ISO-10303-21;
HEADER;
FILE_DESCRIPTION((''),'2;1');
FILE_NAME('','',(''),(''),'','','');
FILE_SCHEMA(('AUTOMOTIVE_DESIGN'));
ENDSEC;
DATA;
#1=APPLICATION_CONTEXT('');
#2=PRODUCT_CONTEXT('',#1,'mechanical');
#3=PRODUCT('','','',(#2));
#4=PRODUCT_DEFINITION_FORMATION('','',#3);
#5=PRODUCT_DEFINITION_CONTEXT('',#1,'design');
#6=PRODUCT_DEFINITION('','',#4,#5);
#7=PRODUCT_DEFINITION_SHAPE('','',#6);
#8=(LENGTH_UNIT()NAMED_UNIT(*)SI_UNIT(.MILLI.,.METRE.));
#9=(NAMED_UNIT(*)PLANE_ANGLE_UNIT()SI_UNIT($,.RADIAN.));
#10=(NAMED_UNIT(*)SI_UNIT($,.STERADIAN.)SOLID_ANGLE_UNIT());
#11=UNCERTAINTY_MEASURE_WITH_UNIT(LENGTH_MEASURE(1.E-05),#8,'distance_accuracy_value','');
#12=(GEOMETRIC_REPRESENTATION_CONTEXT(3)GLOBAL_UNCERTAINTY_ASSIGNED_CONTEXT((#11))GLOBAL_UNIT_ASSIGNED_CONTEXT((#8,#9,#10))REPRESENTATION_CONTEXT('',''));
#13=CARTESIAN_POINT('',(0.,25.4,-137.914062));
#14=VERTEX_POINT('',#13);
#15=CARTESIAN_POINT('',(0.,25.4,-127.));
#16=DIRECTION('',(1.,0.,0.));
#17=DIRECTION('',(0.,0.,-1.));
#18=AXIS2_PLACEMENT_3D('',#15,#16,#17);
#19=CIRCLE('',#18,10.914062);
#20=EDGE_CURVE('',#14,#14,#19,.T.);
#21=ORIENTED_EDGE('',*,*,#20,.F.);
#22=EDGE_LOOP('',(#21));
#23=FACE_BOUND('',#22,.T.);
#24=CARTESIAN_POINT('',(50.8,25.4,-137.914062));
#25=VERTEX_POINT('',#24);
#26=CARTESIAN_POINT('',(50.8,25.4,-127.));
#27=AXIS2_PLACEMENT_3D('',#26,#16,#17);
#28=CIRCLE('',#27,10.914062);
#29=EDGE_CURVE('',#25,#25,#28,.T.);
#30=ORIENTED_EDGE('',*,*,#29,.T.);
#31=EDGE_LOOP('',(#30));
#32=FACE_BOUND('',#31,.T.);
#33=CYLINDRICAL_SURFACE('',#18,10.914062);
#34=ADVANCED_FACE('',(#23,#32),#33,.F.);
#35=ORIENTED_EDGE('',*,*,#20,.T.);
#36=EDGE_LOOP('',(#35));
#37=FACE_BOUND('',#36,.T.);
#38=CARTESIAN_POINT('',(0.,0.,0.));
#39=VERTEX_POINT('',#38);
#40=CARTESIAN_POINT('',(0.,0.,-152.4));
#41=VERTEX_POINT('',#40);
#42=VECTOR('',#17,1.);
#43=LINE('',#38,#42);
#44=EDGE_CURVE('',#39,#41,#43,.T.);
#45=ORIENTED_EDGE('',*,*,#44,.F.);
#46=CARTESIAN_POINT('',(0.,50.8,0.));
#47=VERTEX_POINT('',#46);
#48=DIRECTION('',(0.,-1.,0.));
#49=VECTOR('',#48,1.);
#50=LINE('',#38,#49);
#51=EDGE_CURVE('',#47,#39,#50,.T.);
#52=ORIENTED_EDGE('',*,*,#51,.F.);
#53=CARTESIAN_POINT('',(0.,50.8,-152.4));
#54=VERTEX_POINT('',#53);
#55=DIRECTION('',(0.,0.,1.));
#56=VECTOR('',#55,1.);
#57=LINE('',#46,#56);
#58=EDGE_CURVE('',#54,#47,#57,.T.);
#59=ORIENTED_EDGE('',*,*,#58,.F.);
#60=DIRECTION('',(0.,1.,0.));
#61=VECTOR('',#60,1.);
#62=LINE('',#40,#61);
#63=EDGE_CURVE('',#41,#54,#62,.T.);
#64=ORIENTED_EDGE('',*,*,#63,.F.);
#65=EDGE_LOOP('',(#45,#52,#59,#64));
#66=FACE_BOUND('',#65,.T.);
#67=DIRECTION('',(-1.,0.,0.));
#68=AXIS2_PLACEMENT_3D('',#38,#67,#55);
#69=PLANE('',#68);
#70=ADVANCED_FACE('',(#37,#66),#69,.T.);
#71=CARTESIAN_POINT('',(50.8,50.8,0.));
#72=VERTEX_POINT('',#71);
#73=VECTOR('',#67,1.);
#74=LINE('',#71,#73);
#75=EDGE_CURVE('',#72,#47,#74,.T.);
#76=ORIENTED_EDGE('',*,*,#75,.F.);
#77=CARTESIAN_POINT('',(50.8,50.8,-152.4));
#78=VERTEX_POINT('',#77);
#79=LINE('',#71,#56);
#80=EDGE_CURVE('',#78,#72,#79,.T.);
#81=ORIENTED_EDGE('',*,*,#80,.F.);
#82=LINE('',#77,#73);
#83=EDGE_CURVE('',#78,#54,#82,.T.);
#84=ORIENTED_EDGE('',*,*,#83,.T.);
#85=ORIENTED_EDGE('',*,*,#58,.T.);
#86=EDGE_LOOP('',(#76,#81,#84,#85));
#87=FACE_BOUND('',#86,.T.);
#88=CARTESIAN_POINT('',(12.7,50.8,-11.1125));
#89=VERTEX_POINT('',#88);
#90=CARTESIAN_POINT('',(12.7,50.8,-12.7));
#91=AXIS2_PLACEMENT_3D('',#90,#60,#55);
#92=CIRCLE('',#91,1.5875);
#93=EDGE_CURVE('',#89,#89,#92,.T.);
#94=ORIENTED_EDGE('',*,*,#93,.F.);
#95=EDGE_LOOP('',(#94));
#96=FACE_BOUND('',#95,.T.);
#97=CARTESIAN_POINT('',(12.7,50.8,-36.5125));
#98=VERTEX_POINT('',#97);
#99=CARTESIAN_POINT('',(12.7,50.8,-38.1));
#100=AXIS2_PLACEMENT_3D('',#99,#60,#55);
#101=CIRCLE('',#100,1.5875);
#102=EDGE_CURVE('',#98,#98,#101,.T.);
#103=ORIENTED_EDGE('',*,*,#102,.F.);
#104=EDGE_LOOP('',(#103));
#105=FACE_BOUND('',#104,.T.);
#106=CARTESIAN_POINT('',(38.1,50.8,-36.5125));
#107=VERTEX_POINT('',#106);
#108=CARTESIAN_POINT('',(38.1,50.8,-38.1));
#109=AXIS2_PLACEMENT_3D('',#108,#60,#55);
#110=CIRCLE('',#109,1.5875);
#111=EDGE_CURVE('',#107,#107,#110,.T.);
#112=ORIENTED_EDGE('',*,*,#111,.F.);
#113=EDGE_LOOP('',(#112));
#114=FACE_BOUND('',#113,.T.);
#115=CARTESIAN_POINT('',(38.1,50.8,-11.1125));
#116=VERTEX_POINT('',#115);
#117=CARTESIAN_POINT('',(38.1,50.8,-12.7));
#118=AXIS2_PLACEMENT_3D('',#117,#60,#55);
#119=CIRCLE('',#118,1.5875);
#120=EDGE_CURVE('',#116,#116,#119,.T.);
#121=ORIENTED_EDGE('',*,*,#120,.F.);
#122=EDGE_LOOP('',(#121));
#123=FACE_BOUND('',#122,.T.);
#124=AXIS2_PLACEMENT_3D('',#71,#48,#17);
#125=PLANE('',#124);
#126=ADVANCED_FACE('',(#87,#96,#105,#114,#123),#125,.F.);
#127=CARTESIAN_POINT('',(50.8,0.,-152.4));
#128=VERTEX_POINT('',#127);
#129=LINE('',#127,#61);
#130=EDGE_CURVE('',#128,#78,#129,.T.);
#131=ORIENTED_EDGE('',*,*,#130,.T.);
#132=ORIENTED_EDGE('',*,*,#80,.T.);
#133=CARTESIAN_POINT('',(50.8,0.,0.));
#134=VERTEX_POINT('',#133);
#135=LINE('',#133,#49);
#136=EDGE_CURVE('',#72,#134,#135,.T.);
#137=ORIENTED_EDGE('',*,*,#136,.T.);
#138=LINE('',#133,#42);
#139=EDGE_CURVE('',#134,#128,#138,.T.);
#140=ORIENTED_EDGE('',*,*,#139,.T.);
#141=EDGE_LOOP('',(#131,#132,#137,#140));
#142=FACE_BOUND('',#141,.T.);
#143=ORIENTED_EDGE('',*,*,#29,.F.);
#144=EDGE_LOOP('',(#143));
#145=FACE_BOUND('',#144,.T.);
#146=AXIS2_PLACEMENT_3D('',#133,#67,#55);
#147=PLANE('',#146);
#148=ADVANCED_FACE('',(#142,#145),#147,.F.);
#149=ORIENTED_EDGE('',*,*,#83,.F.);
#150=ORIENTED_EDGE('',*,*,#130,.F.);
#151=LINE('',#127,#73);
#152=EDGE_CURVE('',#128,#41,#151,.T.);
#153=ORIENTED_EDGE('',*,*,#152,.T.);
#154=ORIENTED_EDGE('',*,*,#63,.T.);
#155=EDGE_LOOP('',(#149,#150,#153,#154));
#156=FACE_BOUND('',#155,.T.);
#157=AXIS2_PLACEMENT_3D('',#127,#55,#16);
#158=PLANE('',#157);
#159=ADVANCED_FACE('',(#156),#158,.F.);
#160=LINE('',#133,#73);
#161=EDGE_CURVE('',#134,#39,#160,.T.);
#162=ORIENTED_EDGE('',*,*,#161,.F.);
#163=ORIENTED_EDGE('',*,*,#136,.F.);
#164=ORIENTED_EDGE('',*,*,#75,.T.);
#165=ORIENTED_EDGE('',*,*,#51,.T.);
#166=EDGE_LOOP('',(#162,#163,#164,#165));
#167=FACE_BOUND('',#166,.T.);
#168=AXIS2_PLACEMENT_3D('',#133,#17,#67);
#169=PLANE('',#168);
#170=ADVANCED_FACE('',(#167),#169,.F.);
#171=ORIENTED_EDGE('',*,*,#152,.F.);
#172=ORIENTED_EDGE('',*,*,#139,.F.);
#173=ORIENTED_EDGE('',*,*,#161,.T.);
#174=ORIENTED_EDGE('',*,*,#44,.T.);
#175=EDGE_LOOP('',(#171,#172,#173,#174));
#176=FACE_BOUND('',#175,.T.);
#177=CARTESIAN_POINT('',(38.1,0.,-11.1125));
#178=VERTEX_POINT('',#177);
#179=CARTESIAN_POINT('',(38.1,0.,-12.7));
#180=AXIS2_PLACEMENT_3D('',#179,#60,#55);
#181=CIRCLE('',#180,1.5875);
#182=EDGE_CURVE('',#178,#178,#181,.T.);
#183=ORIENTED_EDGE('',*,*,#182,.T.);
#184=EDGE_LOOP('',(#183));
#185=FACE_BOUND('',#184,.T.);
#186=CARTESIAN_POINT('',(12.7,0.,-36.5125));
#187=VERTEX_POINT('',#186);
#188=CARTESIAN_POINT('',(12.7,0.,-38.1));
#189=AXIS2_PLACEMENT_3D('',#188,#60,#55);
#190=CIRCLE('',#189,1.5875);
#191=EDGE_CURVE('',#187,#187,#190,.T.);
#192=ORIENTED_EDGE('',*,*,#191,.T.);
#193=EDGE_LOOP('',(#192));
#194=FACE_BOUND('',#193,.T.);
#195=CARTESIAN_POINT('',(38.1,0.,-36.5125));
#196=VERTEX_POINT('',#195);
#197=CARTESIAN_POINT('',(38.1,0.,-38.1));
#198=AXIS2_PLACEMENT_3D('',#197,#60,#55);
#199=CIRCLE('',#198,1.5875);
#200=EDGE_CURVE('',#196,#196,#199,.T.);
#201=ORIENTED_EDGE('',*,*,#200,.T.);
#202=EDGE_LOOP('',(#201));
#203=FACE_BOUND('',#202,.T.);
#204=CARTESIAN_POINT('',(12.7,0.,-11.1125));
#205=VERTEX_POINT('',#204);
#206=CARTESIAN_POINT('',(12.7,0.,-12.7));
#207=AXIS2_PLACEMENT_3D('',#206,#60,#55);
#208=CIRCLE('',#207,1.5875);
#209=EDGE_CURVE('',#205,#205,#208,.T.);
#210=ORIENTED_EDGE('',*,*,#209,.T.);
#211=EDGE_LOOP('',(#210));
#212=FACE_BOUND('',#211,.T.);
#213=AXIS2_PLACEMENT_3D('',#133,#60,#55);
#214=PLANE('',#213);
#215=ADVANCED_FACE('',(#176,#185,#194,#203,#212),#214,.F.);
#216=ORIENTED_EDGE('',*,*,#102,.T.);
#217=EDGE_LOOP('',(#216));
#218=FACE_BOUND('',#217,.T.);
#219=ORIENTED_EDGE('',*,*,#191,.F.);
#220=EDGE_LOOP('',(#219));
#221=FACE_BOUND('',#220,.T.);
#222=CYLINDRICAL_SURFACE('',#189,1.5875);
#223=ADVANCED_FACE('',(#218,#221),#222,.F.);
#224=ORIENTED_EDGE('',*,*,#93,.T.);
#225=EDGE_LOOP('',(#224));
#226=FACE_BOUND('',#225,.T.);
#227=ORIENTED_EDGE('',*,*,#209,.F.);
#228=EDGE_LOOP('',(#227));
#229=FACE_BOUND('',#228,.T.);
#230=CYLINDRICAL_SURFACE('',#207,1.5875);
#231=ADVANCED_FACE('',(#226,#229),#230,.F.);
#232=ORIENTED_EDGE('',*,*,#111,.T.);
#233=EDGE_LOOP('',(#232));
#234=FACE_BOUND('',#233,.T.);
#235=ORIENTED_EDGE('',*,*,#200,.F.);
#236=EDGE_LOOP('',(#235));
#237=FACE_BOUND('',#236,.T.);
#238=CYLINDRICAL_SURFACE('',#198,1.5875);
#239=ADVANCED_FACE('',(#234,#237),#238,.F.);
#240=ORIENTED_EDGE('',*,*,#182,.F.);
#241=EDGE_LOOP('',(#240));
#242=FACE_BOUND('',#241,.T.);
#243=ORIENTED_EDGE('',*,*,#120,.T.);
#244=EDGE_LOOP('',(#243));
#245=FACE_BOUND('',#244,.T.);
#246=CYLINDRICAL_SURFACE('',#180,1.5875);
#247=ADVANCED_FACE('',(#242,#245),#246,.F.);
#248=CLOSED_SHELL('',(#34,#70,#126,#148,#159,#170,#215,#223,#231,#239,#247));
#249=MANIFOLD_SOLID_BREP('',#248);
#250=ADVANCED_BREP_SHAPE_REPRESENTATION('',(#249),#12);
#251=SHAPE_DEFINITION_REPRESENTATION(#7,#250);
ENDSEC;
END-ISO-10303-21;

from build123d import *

# Parameters (mm, degrees)
SKETCH1_W           = 152.4
SKETCH1_H           = 50.8
BOSS_EXTRUDE1_DEPTH = 50.8
SKETCH2_R           = 10.9140625
CUT_EXTRUDE1_DEPTH  = 51.8
SKETCH3_R           = 1.5875
CUT_EXTRUDE2_DEPTH  = 51.8


with BuildPart() as part:
    # Sketch1 → Boss-Extrude1 (new body)
    with BuildSketch(Plane(origin=(0, 0, 0), x_dir=(0, 0, -1), z_dir=(1, 0, 0))):
        with Locations((76.2, 25.4)):
            Rectangle(SKETCH1_W, SKETCH1_H)
    extrude(amount=BOSS_EXTRUDE1_DEPTH)

    # Sketch2 → Cut-Extrude1 (cut, through all)
    with BuildSketch(Plane(origin=(50.8, 0, 0), x_dir=(0, 0, -1), z_dir=(1, 0, 0))):
        with Locations((127, 25.4)):
            Circle(SKETCH2_R)
    extrude(amount=-CUT_EXTRUDE1_DEPTH, mode=Mode.SUBTRACT)

    # Sketch3 → Cut-Extrude2 (cut, through all)
    with BuildSketch(Plane(origin=(0, 50.8, 0), x_dir=(1, 0, 0), z_dir=(0, 1, 0))):
        with Locations((12.7, 38.1)):
            Circle(SKETCH3_R)
        with Locations((38.1, 38.1)):
            Circle(SKETCH3_R)
        with Locations((12.7, 12.7)):
            Circle(SKETCH3_R)
        with Locations((38.1, 12.7)):
            Circle(SKETCH3_R)
    extrude(amount=-CUT_EXTRUDE2_DEPTH, mode=Mode.SUBTRACT)


solid = part.part
